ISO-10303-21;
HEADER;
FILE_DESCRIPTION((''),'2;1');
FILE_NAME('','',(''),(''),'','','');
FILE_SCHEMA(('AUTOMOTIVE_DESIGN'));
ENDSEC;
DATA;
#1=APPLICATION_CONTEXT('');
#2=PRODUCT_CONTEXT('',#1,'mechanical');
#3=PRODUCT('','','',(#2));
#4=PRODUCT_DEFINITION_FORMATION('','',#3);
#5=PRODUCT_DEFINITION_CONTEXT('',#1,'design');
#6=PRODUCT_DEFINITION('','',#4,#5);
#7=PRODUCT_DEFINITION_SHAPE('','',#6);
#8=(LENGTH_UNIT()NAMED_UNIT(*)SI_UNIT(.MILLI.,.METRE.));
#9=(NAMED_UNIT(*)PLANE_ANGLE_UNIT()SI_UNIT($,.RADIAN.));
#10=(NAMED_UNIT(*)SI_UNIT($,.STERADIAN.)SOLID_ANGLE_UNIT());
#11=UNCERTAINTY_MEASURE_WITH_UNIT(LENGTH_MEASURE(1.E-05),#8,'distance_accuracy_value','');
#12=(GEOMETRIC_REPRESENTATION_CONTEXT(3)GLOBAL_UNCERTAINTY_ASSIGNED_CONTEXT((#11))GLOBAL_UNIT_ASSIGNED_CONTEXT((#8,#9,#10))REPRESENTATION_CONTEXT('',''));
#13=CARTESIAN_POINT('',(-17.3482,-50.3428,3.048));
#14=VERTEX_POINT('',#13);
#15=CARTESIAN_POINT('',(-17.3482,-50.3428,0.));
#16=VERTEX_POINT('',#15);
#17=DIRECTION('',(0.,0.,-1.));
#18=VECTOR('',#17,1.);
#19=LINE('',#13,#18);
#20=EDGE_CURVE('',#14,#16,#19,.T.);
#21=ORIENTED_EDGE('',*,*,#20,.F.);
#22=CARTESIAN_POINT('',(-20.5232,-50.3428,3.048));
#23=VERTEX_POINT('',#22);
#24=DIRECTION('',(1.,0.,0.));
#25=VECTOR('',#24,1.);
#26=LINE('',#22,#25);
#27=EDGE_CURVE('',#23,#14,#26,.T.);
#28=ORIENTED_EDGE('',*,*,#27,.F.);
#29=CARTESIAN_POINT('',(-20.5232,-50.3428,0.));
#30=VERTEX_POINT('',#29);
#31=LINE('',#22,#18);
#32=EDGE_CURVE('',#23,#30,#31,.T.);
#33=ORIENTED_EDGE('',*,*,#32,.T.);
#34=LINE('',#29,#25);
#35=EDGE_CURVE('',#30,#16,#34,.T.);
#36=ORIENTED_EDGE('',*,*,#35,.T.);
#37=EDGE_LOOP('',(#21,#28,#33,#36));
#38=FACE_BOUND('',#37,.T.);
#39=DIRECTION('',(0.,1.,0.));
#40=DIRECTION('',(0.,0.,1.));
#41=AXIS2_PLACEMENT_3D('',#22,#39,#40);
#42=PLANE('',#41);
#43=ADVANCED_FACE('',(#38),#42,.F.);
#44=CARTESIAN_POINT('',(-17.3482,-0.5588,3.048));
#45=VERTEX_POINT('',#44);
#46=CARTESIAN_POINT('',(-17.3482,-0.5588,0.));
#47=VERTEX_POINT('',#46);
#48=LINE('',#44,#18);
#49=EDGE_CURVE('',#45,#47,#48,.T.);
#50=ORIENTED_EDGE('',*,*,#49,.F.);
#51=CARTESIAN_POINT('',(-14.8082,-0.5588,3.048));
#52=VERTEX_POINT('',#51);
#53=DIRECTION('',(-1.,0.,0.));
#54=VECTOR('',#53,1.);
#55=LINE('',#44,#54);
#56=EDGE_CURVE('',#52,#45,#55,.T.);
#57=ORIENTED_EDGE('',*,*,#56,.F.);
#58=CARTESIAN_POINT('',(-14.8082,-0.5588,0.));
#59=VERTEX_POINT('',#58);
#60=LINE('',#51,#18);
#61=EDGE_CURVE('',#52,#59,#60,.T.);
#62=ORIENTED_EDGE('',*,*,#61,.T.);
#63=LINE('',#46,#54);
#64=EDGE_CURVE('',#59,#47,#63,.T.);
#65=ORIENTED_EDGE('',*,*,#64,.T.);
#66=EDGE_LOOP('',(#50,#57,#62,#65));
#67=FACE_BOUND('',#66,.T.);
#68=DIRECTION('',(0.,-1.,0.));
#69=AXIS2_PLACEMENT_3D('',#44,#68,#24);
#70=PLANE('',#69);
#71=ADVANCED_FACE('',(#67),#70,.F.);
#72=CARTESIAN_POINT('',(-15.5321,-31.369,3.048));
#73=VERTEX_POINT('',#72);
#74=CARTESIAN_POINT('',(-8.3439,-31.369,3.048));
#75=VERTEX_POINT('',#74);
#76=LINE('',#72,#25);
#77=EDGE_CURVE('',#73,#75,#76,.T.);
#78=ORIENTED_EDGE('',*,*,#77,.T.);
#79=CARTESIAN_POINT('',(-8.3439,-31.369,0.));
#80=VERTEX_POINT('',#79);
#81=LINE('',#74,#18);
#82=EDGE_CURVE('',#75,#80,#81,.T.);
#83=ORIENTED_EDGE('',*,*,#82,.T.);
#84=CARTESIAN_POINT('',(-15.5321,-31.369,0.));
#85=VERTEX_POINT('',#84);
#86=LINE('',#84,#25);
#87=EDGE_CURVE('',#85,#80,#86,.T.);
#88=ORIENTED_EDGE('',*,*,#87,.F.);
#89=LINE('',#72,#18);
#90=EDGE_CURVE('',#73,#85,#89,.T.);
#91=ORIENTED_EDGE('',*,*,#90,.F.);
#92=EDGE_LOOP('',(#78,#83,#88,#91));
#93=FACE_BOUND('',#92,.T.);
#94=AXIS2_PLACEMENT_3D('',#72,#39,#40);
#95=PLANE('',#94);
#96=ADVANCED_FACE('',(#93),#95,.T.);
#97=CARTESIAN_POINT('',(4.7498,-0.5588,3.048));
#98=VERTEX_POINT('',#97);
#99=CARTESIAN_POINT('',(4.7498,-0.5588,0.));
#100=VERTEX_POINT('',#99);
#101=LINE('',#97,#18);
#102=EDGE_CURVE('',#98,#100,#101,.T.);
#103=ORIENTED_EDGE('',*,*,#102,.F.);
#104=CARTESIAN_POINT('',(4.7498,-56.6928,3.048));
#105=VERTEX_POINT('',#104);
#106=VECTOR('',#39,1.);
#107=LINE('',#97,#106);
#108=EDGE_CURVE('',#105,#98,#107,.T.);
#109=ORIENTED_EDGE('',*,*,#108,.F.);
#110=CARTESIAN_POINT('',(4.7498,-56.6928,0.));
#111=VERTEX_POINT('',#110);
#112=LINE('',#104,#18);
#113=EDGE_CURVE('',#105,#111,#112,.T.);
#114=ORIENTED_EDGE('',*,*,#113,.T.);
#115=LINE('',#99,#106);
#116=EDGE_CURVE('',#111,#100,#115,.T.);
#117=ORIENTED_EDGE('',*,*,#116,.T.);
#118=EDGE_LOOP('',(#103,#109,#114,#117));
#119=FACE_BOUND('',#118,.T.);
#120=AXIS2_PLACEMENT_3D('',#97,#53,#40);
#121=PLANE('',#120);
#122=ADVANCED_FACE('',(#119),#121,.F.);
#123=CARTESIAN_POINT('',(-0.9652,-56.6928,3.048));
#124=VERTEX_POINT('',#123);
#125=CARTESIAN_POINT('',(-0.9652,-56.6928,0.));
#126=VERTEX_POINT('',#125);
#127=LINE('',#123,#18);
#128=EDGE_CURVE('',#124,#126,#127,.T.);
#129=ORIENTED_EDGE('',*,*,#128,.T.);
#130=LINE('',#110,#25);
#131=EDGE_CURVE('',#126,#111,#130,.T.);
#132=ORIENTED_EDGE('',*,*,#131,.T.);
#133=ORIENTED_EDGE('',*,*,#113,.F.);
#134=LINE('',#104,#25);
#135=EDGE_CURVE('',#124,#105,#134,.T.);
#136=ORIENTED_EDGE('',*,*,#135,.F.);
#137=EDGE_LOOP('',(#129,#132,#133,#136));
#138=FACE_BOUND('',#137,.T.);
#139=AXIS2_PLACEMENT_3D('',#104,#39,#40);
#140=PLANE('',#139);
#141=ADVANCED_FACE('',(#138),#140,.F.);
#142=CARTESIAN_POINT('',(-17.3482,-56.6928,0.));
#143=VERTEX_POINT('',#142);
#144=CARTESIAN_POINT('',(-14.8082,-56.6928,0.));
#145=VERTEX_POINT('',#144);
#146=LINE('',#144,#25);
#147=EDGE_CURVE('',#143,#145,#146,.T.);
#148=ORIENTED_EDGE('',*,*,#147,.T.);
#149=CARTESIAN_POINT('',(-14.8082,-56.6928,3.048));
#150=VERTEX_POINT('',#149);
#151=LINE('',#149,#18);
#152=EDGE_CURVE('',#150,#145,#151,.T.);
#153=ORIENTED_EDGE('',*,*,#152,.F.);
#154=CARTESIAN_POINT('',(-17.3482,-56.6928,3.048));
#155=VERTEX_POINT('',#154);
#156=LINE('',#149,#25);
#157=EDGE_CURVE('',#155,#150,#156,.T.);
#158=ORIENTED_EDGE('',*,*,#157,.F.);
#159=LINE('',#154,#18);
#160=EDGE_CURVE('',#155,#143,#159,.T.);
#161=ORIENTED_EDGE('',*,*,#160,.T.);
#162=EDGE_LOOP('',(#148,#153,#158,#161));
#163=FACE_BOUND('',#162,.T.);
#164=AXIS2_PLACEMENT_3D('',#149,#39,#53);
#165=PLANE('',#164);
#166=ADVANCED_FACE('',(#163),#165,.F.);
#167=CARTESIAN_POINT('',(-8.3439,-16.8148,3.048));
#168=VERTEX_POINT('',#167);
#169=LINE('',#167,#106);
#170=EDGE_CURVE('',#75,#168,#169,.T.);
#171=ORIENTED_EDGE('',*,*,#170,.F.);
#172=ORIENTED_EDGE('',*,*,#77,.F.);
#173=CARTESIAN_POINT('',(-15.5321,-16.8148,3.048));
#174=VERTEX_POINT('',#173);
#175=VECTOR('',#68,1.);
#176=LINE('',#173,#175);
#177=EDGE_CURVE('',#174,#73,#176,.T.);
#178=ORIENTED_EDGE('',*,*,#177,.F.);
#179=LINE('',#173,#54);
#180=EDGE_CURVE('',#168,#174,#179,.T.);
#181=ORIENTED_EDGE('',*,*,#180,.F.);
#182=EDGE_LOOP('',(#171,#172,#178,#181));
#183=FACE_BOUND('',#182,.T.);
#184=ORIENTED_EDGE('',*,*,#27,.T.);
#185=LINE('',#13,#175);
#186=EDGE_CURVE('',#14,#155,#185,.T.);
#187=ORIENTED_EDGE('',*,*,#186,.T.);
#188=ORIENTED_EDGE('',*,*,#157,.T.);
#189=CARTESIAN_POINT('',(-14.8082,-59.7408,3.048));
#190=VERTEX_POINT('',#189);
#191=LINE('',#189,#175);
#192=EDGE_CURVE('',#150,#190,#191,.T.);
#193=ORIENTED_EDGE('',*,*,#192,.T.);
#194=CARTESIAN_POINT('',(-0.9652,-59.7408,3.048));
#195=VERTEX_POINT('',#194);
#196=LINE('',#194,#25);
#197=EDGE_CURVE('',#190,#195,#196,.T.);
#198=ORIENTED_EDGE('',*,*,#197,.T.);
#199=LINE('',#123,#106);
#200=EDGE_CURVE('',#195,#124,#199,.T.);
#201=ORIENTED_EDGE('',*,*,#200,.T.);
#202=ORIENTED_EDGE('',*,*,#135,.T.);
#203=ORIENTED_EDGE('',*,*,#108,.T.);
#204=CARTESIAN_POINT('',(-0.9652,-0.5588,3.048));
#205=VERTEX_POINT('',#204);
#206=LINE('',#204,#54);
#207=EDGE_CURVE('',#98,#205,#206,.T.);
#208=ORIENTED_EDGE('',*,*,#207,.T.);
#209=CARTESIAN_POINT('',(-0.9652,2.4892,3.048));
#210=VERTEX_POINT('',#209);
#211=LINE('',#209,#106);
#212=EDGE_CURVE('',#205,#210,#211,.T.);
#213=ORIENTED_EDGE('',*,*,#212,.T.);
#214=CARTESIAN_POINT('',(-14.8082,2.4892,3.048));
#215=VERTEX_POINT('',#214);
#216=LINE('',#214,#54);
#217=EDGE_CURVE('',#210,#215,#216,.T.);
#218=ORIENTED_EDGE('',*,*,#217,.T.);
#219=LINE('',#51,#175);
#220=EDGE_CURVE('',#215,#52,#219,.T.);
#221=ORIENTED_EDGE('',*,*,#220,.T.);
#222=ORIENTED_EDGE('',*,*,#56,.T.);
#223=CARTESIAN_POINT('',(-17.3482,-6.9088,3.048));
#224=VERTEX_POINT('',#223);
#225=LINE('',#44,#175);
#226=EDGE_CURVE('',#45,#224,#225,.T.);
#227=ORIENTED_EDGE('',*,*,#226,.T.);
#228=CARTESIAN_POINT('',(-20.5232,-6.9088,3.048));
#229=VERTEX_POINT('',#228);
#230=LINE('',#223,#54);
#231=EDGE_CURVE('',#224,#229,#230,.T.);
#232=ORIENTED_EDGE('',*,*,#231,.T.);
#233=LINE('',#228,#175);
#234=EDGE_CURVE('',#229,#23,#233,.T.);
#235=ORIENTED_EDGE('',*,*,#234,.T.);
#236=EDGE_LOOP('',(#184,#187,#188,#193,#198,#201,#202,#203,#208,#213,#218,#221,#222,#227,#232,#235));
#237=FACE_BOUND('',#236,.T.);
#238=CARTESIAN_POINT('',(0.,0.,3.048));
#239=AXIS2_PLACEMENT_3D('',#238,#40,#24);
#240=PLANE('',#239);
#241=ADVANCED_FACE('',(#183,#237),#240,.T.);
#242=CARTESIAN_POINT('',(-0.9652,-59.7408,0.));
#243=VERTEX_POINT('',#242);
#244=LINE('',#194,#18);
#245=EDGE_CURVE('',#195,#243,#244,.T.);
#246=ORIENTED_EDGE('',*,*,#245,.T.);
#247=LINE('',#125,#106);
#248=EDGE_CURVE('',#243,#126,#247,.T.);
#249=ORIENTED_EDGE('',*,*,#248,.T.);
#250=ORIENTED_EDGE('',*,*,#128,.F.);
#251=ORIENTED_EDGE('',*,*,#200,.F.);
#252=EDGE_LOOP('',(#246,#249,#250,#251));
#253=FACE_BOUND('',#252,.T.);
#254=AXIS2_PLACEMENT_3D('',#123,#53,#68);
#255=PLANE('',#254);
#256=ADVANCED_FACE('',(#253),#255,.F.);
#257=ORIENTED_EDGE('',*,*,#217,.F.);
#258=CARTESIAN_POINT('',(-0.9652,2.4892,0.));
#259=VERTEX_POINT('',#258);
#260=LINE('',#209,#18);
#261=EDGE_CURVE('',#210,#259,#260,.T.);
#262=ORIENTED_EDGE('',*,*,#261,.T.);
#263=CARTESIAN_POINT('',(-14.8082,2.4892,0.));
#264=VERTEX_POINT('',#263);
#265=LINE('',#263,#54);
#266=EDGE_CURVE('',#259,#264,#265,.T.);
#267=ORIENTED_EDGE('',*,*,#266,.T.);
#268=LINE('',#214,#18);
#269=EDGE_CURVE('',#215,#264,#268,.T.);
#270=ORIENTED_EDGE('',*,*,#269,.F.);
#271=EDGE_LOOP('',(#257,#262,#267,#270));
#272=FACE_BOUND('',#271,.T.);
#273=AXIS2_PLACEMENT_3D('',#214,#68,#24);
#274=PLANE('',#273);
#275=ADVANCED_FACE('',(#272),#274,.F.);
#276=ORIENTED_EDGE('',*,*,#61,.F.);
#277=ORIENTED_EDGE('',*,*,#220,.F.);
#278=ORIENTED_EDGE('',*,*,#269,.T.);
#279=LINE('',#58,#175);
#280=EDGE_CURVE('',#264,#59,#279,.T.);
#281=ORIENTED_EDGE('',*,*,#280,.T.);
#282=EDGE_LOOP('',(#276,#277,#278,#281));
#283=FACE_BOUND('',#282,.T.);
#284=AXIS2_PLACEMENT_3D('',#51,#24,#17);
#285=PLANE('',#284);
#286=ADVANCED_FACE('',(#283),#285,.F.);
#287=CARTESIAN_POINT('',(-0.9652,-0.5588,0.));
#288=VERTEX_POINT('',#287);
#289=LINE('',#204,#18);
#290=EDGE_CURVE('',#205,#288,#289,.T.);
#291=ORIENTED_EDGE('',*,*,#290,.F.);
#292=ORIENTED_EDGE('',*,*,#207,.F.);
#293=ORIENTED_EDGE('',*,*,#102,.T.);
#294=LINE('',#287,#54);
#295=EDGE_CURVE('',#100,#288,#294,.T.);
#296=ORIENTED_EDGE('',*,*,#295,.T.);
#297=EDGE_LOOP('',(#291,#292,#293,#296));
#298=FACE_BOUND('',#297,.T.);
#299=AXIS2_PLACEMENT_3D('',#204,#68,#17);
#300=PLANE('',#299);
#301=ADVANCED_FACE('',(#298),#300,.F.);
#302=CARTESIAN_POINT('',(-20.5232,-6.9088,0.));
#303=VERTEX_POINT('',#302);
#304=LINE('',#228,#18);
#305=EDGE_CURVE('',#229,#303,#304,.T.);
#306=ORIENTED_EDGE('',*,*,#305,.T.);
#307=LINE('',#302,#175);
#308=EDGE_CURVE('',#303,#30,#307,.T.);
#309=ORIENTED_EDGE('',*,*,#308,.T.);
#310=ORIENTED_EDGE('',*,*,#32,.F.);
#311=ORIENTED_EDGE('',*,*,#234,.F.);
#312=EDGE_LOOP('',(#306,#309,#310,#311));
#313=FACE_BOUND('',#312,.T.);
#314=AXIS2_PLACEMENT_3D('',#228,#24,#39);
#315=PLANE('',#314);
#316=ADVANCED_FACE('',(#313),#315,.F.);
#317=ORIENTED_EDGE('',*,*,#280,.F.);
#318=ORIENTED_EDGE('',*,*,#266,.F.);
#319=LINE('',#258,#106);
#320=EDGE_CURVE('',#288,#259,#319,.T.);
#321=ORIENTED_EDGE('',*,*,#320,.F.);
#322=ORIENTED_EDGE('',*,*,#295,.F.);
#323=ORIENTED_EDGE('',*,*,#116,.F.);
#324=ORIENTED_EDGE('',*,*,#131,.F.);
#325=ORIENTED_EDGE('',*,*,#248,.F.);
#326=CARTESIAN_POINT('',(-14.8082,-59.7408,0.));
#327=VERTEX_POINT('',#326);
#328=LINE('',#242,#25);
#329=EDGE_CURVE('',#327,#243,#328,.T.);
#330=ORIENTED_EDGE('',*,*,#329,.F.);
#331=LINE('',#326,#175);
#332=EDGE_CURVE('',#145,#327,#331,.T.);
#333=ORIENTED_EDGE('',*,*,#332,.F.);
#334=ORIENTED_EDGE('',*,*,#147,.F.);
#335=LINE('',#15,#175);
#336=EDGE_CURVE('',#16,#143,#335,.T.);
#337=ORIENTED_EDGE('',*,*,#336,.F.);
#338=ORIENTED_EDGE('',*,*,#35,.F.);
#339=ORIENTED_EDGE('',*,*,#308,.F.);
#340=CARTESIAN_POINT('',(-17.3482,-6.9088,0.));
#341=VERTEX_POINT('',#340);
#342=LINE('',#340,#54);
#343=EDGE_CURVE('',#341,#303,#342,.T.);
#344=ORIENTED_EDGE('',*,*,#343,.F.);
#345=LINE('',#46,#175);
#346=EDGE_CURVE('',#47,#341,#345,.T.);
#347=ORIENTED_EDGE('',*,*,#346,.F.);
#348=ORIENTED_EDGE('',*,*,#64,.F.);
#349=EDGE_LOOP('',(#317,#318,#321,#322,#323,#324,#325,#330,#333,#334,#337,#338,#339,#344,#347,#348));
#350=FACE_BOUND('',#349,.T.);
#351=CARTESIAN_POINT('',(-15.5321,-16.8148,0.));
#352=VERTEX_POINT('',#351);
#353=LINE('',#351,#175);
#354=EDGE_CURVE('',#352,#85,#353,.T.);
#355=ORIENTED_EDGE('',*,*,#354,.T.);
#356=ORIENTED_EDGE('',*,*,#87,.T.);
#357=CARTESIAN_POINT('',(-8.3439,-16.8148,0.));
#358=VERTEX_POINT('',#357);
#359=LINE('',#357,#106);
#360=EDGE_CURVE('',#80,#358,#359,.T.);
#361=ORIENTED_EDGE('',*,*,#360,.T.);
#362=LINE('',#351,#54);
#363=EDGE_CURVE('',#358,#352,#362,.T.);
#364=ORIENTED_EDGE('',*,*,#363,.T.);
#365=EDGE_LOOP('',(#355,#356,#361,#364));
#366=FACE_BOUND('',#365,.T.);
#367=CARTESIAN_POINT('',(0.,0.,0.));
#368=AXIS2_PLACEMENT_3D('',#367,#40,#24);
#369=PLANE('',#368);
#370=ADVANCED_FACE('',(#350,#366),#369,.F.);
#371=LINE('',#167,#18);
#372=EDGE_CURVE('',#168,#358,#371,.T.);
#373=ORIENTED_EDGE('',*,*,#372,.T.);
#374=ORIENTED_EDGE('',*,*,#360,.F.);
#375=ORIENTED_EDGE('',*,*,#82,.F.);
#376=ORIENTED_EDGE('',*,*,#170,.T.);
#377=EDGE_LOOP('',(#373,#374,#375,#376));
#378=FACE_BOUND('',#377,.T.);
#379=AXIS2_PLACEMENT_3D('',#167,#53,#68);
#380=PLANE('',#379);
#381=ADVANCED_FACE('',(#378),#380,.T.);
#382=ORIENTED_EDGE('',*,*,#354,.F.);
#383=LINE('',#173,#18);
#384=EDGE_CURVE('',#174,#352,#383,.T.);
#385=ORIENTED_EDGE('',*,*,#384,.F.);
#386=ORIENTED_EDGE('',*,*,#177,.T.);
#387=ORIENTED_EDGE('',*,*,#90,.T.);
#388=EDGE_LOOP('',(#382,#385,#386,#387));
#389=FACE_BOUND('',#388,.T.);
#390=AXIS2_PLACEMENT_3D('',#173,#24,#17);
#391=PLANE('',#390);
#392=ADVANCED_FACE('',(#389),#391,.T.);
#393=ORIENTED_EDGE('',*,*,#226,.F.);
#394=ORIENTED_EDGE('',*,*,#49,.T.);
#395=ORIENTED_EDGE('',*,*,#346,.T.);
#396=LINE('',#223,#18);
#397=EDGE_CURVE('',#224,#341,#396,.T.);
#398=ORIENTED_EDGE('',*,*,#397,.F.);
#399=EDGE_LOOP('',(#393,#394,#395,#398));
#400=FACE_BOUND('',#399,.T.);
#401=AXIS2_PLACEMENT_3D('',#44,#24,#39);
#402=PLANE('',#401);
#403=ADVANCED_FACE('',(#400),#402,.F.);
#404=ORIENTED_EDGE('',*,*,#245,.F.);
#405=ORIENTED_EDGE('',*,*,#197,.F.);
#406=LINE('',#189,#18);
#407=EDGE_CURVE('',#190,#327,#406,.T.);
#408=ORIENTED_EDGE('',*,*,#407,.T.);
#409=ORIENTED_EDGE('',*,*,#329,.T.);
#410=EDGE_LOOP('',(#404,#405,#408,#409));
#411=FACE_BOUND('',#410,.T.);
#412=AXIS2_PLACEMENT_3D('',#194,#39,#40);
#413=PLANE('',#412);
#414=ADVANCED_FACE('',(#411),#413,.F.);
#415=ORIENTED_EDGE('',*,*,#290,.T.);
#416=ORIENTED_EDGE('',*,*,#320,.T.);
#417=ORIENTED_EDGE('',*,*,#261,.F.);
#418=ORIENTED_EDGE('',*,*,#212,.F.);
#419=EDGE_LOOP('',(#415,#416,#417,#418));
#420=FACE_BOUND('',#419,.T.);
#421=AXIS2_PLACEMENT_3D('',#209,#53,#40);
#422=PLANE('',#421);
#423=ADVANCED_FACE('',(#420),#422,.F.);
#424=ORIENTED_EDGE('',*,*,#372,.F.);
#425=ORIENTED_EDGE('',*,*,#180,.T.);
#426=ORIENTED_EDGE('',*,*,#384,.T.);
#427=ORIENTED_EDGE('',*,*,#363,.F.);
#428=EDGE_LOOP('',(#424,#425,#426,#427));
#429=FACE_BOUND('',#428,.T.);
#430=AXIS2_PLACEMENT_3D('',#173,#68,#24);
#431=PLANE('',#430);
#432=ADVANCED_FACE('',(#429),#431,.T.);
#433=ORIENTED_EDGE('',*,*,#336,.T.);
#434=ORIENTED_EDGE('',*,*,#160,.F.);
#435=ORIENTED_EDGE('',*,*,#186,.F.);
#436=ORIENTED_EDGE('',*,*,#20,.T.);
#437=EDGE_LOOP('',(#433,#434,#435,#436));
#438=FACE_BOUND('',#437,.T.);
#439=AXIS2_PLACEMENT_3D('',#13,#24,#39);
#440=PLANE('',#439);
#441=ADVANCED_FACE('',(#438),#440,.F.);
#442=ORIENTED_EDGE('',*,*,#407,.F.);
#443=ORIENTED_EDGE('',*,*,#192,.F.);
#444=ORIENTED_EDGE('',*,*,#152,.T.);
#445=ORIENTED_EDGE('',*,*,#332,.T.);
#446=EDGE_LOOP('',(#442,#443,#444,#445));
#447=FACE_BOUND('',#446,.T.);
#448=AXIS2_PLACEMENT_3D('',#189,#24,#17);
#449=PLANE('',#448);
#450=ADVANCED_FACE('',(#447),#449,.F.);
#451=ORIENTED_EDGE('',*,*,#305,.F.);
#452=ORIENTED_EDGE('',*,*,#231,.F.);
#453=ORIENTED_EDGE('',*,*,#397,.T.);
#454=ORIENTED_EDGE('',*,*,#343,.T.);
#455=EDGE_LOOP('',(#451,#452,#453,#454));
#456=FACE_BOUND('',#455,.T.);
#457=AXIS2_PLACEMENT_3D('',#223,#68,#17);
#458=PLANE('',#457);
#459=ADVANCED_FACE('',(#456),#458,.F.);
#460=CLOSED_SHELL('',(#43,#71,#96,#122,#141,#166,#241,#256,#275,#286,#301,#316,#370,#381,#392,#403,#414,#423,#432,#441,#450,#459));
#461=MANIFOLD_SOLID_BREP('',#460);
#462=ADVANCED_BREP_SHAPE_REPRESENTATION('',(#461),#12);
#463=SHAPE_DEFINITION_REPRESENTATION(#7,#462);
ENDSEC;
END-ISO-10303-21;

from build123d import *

# Parameters (mm, degrees)
SKETCH1_W           = 7.1882
SKETCH1_H           = 14.5542
BOSS_EXTRUDE1_DEPTH = 3.048


with BuildPart() as part:
    # Sketch1 → Boss-Extrude1 (new body)
    with BuildSketch(Plane.XY):
        Polygon((-17.3482, -0.5588), (-17.3482, -6.9088), (-20.5232, -6.9088), (-20.5232, -50.3428), (-17.3482, -50.3428), (-17.3482, -56.6928), (-14.8082, -56.6928), (-14.8082, -59.7408), (-0.9652, -59.7408), (-0.9652, -56.6928), (4.7498, -56.6928), (4.7498, -0.5588), (-0.9652, -0.5588), (-0.9652, 2.4892), (-14.8082, 2.4892), (-14.8082, -0.5588), align=None)
        with Locations((-11.938, -24.0919)):
            Rectangle(SKETCH1_W, SKETCH1_H, mode=Mode.SUBTRACT)
    extrude(amount=BOSS_EXTRUDE1_DEPTH)


solid = part.part
